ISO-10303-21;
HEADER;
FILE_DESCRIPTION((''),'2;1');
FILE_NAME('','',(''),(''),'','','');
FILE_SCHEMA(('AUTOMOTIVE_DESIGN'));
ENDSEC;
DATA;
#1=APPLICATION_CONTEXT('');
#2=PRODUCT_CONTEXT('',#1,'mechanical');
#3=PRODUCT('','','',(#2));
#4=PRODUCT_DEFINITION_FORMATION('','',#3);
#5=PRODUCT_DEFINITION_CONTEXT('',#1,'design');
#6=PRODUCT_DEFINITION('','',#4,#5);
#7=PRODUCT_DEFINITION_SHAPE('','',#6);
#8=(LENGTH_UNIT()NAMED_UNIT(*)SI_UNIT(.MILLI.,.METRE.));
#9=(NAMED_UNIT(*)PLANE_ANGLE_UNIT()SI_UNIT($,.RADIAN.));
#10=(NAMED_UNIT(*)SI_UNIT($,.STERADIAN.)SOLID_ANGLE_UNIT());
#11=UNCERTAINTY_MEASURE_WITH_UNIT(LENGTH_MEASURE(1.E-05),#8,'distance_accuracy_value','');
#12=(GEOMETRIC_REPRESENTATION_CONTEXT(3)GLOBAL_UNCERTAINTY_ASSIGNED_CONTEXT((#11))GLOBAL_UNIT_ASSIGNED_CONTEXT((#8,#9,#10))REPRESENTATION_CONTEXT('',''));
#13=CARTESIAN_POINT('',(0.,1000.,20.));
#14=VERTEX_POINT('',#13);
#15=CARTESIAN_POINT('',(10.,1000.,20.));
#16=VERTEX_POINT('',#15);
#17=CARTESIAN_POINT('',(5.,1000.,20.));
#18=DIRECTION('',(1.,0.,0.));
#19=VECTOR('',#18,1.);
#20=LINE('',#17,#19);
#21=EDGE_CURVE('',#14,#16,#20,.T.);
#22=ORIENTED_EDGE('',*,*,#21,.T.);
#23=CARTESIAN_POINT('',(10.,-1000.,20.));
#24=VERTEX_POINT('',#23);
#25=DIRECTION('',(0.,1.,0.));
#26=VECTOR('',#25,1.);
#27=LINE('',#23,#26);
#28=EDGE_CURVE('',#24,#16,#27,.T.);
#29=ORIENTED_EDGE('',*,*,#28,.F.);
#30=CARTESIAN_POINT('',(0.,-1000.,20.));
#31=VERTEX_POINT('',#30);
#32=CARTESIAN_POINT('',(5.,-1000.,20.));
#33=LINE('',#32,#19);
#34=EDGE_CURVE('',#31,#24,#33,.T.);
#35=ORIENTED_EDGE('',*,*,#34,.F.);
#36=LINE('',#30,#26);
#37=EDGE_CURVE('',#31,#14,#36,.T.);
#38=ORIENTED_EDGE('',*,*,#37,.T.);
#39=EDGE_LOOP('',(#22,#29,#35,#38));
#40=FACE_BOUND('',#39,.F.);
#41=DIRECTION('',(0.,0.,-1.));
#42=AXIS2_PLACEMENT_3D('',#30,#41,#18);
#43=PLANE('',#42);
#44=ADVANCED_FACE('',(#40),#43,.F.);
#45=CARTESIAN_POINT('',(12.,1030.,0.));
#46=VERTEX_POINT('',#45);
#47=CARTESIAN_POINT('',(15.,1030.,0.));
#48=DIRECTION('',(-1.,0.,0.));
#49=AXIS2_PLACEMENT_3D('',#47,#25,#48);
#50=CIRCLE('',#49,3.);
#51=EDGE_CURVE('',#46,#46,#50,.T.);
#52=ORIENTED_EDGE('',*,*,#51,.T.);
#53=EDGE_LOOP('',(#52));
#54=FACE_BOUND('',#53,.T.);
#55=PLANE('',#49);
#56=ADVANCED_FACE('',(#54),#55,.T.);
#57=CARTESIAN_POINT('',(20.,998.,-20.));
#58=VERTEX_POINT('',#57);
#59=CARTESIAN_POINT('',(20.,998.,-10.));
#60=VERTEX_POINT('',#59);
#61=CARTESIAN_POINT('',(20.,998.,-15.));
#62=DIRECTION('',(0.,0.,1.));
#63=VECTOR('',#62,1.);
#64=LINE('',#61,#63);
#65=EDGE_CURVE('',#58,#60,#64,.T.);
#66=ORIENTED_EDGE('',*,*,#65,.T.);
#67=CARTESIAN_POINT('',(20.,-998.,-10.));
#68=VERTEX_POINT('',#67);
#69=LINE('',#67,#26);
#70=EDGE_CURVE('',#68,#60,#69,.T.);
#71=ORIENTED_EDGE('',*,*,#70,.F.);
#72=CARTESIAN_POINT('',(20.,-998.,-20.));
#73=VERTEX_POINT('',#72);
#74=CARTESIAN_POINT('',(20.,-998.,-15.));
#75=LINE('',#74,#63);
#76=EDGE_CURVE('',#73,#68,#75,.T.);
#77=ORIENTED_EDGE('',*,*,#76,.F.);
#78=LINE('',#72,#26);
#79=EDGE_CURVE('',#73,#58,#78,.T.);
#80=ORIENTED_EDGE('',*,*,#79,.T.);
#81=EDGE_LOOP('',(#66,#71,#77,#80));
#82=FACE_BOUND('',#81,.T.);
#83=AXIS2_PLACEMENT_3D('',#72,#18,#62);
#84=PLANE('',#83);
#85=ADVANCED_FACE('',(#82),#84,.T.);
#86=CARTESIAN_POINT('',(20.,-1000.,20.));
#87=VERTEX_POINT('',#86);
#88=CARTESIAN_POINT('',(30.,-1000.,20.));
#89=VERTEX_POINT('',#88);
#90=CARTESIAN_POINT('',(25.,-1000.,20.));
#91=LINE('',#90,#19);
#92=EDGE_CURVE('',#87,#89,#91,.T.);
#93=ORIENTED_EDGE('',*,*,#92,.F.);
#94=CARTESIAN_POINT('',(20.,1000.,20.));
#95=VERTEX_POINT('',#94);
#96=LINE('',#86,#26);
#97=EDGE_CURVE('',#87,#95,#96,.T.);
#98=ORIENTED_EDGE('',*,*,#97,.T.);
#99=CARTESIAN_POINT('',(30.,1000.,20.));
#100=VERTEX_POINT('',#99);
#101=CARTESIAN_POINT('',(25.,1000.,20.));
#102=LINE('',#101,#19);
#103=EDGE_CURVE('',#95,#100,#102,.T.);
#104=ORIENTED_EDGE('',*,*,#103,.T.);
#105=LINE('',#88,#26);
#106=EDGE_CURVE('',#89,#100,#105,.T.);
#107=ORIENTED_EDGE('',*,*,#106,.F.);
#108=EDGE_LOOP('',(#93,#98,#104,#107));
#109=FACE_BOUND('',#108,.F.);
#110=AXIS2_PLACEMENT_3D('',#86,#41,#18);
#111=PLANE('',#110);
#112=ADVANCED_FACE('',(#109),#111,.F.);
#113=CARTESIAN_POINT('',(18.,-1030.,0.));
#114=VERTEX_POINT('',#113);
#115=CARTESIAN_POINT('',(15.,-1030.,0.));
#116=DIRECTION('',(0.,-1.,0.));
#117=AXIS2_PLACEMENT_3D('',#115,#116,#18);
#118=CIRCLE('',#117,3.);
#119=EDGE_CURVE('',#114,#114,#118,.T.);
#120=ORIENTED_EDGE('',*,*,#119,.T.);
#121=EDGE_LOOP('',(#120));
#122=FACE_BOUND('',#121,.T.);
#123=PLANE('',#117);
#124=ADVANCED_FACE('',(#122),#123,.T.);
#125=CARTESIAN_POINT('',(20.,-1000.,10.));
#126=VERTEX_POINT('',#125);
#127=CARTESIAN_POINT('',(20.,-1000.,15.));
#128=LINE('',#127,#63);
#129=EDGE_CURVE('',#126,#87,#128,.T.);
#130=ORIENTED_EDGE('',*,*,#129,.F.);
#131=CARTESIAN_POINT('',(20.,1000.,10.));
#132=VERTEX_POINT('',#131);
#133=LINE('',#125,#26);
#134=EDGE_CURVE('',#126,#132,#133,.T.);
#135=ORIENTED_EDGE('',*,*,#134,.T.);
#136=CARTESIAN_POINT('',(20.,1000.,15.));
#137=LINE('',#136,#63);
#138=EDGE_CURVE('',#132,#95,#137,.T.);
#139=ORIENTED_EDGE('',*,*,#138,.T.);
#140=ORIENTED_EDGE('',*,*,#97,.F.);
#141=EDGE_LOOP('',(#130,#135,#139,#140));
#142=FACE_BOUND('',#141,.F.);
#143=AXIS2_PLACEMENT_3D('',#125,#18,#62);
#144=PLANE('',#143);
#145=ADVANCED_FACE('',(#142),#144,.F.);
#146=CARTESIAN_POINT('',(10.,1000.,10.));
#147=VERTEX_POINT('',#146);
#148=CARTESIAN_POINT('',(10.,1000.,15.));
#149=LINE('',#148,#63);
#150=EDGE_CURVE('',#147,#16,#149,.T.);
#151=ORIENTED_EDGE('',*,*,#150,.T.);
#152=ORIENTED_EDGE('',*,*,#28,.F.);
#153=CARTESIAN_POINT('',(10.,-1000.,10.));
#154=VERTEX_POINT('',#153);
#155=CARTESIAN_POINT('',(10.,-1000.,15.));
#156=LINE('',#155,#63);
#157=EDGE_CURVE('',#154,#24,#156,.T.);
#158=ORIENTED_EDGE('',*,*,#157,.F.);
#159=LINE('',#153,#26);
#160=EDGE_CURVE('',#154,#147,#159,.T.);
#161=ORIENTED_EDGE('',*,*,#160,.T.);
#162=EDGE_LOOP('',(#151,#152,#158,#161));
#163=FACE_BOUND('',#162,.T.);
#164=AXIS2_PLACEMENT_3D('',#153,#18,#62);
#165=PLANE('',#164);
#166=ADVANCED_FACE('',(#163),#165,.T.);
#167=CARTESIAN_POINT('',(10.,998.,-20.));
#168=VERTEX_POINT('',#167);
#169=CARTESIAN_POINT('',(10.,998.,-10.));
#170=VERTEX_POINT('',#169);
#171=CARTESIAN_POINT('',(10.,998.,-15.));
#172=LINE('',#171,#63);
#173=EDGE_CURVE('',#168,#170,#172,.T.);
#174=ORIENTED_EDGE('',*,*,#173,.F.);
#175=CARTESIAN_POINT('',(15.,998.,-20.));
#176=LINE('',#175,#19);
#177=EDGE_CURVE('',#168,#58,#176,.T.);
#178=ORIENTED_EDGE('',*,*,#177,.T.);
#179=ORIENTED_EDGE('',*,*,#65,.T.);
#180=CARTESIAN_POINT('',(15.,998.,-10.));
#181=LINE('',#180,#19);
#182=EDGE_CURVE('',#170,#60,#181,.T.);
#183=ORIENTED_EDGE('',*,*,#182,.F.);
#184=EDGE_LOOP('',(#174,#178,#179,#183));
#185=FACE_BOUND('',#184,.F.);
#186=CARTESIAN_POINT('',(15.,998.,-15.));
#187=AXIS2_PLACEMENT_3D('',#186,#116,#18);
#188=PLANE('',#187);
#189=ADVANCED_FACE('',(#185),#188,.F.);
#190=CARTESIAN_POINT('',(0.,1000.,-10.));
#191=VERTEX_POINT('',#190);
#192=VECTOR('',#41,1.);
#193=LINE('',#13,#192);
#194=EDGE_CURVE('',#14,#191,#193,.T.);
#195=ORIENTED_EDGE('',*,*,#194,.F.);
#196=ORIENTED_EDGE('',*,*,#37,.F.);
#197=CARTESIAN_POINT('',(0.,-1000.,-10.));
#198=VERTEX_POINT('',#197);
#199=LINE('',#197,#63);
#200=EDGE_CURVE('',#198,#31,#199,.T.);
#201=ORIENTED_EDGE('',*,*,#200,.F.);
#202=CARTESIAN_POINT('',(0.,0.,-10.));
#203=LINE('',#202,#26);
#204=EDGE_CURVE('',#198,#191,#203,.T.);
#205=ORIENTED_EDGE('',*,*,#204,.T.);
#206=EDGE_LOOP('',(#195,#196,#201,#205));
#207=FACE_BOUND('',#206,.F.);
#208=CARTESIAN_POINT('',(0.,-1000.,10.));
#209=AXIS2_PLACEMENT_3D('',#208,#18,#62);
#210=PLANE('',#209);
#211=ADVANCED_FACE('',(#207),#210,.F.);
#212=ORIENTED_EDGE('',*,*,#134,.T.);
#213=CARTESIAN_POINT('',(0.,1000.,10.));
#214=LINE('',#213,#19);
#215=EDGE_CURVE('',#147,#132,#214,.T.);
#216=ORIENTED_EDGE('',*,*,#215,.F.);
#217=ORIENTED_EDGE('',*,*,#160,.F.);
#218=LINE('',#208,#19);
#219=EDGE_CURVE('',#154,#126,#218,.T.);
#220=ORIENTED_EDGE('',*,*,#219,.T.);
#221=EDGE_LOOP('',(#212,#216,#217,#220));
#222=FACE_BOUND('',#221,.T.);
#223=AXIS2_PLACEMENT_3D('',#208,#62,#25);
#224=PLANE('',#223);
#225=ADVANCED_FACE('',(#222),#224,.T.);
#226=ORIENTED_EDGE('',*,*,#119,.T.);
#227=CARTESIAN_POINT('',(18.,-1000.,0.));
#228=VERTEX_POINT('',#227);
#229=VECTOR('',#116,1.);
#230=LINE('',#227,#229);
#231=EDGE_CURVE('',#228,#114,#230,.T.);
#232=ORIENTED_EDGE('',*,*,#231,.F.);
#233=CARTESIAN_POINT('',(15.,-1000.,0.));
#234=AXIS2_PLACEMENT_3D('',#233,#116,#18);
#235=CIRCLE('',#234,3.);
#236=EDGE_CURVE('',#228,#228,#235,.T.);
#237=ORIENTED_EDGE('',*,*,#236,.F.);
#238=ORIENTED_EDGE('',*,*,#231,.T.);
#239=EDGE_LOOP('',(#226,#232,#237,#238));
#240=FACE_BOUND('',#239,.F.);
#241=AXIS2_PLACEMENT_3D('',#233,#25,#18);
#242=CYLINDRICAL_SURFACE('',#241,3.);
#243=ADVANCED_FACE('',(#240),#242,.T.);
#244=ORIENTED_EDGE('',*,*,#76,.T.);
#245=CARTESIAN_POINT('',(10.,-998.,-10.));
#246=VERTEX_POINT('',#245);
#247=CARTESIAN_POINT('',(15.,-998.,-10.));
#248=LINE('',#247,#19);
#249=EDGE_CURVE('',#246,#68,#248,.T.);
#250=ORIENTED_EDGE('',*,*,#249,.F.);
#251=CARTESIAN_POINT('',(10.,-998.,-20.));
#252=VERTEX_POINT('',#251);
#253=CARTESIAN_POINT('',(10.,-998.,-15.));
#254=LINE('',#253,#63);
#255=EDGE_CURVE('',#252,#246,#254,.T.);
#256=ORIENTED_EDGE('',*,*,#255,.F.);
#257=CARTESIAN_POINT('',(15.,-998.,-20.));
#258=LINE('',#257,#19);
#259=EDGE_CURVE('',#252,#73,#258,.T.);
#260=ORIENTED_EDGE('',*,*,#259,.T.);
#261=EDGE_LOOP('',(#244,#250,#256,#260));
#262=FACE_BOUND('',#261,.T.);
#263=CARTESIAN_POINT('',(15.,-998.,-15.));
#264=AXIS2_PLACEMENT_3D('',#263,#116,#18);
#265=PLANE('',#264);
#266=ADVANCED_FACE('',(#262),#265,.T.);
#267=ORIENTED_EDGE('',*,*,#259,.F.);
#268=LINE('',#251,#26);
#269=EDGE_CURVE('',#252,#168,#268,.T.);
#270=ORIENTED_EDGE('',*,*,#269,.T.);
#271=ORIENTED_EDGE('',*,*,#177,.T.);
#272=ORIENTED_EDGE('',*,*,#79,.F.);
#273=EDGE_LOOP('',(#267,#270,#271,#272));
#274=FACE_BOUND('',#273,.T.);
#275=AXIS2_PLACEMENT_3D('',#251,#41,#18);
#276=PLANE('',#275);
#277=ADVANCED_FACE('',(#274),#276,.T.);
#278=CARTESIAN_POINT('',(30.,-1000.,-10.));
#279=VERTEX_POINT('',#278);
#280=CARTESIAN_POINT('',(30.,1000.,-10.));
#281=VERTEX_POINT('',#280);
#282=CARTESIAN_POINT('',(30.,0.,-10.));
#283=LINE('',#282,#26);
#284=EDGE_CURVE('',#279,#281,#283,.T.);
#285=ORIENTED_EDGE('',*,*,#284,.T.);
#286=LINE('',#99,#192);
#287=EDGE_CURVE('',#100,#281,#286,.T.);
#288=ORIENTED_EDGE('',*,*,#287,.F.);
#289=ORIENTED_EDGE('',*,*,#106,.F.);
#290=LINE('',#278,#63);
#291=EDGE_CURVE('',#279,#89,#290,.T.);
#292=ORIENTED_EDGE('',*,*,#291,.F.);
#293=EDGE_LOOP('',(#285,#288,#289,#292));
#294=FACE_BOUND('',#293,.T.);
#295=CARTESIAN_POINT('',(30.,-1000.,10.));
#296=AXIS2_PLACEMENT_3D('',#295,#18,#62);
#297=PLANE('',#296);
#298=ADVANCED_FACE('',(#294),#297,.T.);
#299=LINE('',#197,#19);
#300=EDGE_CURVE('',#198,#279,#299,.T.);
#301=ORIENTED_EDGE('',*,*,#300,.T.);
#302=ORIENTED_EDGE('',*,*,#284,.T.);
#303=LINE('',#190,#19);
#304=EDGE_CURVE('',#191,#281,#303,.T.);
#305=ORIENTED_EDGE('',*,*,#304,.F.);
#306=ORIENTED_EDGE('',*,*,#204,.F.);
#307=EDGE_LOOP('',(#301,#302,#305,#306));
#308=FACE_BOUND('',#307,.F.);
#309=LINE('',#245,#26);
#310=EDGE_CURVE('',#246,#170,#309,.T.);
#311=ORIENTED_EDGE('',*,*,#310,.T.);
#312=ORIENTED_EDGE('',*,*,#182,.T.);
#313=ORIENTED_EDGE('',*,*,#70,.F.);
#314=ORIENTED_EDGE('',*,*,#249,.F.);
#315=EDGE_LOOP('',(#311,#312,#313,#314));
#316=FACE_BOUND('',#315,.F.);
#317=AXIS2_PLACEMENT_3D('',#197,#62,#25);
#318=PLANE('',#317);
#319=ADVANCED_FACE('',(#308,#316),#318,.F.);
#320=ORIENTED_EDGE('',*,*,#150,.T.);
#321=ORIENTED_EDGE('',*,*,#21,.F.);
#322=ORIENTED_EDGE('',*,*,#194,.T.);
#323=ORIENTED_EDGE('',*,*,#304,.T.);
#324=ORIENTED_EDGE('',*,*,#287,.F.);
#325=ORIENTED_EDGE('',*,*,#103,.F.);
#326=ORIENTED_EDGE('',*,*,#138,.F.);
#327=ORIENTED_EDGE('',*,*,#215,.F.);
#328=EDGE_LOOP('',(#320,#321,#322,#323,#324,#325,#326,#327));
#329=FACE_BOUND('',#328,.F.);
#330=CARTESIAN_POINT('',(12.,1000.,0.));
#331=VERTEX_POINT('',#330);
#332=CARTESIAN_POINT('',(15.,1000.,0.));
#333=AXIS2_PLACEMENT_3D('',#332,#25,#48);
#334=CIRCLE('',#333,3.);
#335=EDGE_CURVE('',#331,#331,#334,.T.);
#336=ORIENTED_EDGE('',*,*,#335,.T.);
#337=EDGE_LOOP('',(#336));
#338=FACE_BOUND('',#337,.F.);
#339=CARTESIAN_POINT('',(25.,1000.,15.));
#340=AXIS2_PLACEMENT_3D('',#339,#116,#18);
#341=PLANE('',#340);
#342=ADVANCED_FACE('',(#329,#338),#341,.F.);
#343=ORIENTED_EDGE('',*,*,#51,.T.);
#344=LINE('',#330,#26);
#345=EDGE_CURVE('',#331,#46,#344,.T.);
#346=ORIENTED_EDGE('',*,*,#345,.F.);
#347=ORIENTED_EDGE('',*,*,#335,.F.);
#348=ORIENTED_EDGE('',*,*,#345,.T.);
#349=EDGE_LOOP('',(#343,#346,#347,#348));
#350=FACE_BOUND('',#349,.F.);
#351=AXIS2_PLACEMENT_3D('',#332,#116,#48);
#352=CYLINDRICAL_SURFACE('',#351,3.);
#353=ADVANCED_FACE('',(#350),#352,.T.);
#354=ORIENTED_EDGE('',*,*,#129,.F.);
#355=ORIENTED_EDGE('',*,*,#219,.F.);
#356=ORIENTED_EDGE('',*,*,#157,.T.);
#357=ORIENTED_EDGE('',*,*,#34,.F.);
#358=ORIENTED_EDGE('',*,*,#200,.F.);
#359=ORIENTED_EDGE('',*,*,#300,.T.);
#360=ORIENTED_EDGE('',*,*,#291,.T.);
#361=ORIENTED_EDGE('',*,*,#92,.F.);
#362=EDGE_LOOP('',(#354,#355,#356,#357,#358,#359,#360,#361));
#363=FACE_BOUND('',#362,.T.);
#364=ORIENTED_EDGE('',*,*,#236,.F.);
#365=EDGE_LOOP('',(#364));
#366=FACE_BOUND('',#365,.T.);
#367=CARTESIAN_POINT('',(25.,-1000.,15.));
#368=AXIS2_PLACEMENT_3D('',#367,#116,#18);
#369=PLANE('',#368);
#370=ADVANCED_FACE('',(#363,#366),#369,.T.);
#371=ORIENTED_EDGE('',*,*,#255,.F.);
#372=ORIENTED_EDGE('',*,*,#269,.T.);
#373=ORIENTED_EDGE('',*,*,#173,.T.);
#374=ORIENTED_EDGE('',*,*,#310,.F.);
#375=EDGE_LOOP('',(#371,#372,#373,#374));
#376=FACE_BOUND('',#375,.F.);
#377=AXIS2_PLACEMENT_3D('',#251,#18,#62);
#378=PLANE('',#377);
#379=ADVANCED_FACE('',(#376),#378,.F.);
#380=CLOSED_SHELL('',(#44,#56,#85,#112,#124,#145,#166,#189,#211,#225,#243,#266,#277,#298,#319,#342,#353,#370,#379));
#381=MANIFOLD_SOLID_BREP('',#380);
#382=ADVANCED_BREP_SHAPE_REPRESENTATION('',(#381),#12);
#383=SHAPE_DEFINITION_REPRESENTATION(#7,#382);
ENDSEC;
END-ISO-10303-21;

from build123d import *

# Parameters (mm, degrees)
F0_W      = 2000
F0_H      = 20
F1_DEPTH  = 30
F2_W      = 10
F2_H      = 10
F3_DEPTH  = 2000
F4_W      = 10
F4_H      = 10
F5_DEPTH  = 2000
F7_START  = -2
F6_W      = 10
F6_H      = 10
F7_DEPTH  = 1996
F8_R      = 3
F9_DEPTH  = 30
F10_R     = 3
F11_DEPTH = 30


with BuildPart() as f1:
    # F0 (on Right) → F1 (new body)
    with BuildSketch(Plane.YZ):
        Rectangle(F0_W, F0_H)
    extrude(amount=F1_DEPTH)

    # F2 (on face) → F3 (join)
    with BuildSketch(Plane.XZ.offset(1000)):
        with Locations((5, 15)):
            Rectangle(F2_W, F2_H)
    extrude(amount=-F3_DEPTH)

    # F4 (on face) → F5 (join)
    with BuildSketch(Plane.XZ.offset(1000)):
        with Locations((25, 15)):
            Rectangle(F4_W, F4_H)
    extrude(amount=-F5_DEPTH)

    # F6 (on face) → F7 (join)
    with BuildSketch(Plane.XZ.offset(1000).offset(F7_START)):
        with Locations((15, -15)):
            Rectangle(F6_W, F6_H)
    extrude(amount=-F7_DEPTH)

    # F8 (on face) → F9 (join)
    with BuildSketch(Plane.XZ.offset(1000)):
        with Locations((15, 0)):
            Circle(F8_R)
    extrude(amount=F9_DEPTH)

    # F10 (on face) → F11 (join)
    with BuildSketch(Plane(origin=(0, 1000, 0), x_dir=(-1, 0, 0), z_dir=(0, 1, 0))):
        with Locations((-15, 0)):
            Circle(F10_R)
    extrude(amount=F11_DEPTH)


solid = f1.part
